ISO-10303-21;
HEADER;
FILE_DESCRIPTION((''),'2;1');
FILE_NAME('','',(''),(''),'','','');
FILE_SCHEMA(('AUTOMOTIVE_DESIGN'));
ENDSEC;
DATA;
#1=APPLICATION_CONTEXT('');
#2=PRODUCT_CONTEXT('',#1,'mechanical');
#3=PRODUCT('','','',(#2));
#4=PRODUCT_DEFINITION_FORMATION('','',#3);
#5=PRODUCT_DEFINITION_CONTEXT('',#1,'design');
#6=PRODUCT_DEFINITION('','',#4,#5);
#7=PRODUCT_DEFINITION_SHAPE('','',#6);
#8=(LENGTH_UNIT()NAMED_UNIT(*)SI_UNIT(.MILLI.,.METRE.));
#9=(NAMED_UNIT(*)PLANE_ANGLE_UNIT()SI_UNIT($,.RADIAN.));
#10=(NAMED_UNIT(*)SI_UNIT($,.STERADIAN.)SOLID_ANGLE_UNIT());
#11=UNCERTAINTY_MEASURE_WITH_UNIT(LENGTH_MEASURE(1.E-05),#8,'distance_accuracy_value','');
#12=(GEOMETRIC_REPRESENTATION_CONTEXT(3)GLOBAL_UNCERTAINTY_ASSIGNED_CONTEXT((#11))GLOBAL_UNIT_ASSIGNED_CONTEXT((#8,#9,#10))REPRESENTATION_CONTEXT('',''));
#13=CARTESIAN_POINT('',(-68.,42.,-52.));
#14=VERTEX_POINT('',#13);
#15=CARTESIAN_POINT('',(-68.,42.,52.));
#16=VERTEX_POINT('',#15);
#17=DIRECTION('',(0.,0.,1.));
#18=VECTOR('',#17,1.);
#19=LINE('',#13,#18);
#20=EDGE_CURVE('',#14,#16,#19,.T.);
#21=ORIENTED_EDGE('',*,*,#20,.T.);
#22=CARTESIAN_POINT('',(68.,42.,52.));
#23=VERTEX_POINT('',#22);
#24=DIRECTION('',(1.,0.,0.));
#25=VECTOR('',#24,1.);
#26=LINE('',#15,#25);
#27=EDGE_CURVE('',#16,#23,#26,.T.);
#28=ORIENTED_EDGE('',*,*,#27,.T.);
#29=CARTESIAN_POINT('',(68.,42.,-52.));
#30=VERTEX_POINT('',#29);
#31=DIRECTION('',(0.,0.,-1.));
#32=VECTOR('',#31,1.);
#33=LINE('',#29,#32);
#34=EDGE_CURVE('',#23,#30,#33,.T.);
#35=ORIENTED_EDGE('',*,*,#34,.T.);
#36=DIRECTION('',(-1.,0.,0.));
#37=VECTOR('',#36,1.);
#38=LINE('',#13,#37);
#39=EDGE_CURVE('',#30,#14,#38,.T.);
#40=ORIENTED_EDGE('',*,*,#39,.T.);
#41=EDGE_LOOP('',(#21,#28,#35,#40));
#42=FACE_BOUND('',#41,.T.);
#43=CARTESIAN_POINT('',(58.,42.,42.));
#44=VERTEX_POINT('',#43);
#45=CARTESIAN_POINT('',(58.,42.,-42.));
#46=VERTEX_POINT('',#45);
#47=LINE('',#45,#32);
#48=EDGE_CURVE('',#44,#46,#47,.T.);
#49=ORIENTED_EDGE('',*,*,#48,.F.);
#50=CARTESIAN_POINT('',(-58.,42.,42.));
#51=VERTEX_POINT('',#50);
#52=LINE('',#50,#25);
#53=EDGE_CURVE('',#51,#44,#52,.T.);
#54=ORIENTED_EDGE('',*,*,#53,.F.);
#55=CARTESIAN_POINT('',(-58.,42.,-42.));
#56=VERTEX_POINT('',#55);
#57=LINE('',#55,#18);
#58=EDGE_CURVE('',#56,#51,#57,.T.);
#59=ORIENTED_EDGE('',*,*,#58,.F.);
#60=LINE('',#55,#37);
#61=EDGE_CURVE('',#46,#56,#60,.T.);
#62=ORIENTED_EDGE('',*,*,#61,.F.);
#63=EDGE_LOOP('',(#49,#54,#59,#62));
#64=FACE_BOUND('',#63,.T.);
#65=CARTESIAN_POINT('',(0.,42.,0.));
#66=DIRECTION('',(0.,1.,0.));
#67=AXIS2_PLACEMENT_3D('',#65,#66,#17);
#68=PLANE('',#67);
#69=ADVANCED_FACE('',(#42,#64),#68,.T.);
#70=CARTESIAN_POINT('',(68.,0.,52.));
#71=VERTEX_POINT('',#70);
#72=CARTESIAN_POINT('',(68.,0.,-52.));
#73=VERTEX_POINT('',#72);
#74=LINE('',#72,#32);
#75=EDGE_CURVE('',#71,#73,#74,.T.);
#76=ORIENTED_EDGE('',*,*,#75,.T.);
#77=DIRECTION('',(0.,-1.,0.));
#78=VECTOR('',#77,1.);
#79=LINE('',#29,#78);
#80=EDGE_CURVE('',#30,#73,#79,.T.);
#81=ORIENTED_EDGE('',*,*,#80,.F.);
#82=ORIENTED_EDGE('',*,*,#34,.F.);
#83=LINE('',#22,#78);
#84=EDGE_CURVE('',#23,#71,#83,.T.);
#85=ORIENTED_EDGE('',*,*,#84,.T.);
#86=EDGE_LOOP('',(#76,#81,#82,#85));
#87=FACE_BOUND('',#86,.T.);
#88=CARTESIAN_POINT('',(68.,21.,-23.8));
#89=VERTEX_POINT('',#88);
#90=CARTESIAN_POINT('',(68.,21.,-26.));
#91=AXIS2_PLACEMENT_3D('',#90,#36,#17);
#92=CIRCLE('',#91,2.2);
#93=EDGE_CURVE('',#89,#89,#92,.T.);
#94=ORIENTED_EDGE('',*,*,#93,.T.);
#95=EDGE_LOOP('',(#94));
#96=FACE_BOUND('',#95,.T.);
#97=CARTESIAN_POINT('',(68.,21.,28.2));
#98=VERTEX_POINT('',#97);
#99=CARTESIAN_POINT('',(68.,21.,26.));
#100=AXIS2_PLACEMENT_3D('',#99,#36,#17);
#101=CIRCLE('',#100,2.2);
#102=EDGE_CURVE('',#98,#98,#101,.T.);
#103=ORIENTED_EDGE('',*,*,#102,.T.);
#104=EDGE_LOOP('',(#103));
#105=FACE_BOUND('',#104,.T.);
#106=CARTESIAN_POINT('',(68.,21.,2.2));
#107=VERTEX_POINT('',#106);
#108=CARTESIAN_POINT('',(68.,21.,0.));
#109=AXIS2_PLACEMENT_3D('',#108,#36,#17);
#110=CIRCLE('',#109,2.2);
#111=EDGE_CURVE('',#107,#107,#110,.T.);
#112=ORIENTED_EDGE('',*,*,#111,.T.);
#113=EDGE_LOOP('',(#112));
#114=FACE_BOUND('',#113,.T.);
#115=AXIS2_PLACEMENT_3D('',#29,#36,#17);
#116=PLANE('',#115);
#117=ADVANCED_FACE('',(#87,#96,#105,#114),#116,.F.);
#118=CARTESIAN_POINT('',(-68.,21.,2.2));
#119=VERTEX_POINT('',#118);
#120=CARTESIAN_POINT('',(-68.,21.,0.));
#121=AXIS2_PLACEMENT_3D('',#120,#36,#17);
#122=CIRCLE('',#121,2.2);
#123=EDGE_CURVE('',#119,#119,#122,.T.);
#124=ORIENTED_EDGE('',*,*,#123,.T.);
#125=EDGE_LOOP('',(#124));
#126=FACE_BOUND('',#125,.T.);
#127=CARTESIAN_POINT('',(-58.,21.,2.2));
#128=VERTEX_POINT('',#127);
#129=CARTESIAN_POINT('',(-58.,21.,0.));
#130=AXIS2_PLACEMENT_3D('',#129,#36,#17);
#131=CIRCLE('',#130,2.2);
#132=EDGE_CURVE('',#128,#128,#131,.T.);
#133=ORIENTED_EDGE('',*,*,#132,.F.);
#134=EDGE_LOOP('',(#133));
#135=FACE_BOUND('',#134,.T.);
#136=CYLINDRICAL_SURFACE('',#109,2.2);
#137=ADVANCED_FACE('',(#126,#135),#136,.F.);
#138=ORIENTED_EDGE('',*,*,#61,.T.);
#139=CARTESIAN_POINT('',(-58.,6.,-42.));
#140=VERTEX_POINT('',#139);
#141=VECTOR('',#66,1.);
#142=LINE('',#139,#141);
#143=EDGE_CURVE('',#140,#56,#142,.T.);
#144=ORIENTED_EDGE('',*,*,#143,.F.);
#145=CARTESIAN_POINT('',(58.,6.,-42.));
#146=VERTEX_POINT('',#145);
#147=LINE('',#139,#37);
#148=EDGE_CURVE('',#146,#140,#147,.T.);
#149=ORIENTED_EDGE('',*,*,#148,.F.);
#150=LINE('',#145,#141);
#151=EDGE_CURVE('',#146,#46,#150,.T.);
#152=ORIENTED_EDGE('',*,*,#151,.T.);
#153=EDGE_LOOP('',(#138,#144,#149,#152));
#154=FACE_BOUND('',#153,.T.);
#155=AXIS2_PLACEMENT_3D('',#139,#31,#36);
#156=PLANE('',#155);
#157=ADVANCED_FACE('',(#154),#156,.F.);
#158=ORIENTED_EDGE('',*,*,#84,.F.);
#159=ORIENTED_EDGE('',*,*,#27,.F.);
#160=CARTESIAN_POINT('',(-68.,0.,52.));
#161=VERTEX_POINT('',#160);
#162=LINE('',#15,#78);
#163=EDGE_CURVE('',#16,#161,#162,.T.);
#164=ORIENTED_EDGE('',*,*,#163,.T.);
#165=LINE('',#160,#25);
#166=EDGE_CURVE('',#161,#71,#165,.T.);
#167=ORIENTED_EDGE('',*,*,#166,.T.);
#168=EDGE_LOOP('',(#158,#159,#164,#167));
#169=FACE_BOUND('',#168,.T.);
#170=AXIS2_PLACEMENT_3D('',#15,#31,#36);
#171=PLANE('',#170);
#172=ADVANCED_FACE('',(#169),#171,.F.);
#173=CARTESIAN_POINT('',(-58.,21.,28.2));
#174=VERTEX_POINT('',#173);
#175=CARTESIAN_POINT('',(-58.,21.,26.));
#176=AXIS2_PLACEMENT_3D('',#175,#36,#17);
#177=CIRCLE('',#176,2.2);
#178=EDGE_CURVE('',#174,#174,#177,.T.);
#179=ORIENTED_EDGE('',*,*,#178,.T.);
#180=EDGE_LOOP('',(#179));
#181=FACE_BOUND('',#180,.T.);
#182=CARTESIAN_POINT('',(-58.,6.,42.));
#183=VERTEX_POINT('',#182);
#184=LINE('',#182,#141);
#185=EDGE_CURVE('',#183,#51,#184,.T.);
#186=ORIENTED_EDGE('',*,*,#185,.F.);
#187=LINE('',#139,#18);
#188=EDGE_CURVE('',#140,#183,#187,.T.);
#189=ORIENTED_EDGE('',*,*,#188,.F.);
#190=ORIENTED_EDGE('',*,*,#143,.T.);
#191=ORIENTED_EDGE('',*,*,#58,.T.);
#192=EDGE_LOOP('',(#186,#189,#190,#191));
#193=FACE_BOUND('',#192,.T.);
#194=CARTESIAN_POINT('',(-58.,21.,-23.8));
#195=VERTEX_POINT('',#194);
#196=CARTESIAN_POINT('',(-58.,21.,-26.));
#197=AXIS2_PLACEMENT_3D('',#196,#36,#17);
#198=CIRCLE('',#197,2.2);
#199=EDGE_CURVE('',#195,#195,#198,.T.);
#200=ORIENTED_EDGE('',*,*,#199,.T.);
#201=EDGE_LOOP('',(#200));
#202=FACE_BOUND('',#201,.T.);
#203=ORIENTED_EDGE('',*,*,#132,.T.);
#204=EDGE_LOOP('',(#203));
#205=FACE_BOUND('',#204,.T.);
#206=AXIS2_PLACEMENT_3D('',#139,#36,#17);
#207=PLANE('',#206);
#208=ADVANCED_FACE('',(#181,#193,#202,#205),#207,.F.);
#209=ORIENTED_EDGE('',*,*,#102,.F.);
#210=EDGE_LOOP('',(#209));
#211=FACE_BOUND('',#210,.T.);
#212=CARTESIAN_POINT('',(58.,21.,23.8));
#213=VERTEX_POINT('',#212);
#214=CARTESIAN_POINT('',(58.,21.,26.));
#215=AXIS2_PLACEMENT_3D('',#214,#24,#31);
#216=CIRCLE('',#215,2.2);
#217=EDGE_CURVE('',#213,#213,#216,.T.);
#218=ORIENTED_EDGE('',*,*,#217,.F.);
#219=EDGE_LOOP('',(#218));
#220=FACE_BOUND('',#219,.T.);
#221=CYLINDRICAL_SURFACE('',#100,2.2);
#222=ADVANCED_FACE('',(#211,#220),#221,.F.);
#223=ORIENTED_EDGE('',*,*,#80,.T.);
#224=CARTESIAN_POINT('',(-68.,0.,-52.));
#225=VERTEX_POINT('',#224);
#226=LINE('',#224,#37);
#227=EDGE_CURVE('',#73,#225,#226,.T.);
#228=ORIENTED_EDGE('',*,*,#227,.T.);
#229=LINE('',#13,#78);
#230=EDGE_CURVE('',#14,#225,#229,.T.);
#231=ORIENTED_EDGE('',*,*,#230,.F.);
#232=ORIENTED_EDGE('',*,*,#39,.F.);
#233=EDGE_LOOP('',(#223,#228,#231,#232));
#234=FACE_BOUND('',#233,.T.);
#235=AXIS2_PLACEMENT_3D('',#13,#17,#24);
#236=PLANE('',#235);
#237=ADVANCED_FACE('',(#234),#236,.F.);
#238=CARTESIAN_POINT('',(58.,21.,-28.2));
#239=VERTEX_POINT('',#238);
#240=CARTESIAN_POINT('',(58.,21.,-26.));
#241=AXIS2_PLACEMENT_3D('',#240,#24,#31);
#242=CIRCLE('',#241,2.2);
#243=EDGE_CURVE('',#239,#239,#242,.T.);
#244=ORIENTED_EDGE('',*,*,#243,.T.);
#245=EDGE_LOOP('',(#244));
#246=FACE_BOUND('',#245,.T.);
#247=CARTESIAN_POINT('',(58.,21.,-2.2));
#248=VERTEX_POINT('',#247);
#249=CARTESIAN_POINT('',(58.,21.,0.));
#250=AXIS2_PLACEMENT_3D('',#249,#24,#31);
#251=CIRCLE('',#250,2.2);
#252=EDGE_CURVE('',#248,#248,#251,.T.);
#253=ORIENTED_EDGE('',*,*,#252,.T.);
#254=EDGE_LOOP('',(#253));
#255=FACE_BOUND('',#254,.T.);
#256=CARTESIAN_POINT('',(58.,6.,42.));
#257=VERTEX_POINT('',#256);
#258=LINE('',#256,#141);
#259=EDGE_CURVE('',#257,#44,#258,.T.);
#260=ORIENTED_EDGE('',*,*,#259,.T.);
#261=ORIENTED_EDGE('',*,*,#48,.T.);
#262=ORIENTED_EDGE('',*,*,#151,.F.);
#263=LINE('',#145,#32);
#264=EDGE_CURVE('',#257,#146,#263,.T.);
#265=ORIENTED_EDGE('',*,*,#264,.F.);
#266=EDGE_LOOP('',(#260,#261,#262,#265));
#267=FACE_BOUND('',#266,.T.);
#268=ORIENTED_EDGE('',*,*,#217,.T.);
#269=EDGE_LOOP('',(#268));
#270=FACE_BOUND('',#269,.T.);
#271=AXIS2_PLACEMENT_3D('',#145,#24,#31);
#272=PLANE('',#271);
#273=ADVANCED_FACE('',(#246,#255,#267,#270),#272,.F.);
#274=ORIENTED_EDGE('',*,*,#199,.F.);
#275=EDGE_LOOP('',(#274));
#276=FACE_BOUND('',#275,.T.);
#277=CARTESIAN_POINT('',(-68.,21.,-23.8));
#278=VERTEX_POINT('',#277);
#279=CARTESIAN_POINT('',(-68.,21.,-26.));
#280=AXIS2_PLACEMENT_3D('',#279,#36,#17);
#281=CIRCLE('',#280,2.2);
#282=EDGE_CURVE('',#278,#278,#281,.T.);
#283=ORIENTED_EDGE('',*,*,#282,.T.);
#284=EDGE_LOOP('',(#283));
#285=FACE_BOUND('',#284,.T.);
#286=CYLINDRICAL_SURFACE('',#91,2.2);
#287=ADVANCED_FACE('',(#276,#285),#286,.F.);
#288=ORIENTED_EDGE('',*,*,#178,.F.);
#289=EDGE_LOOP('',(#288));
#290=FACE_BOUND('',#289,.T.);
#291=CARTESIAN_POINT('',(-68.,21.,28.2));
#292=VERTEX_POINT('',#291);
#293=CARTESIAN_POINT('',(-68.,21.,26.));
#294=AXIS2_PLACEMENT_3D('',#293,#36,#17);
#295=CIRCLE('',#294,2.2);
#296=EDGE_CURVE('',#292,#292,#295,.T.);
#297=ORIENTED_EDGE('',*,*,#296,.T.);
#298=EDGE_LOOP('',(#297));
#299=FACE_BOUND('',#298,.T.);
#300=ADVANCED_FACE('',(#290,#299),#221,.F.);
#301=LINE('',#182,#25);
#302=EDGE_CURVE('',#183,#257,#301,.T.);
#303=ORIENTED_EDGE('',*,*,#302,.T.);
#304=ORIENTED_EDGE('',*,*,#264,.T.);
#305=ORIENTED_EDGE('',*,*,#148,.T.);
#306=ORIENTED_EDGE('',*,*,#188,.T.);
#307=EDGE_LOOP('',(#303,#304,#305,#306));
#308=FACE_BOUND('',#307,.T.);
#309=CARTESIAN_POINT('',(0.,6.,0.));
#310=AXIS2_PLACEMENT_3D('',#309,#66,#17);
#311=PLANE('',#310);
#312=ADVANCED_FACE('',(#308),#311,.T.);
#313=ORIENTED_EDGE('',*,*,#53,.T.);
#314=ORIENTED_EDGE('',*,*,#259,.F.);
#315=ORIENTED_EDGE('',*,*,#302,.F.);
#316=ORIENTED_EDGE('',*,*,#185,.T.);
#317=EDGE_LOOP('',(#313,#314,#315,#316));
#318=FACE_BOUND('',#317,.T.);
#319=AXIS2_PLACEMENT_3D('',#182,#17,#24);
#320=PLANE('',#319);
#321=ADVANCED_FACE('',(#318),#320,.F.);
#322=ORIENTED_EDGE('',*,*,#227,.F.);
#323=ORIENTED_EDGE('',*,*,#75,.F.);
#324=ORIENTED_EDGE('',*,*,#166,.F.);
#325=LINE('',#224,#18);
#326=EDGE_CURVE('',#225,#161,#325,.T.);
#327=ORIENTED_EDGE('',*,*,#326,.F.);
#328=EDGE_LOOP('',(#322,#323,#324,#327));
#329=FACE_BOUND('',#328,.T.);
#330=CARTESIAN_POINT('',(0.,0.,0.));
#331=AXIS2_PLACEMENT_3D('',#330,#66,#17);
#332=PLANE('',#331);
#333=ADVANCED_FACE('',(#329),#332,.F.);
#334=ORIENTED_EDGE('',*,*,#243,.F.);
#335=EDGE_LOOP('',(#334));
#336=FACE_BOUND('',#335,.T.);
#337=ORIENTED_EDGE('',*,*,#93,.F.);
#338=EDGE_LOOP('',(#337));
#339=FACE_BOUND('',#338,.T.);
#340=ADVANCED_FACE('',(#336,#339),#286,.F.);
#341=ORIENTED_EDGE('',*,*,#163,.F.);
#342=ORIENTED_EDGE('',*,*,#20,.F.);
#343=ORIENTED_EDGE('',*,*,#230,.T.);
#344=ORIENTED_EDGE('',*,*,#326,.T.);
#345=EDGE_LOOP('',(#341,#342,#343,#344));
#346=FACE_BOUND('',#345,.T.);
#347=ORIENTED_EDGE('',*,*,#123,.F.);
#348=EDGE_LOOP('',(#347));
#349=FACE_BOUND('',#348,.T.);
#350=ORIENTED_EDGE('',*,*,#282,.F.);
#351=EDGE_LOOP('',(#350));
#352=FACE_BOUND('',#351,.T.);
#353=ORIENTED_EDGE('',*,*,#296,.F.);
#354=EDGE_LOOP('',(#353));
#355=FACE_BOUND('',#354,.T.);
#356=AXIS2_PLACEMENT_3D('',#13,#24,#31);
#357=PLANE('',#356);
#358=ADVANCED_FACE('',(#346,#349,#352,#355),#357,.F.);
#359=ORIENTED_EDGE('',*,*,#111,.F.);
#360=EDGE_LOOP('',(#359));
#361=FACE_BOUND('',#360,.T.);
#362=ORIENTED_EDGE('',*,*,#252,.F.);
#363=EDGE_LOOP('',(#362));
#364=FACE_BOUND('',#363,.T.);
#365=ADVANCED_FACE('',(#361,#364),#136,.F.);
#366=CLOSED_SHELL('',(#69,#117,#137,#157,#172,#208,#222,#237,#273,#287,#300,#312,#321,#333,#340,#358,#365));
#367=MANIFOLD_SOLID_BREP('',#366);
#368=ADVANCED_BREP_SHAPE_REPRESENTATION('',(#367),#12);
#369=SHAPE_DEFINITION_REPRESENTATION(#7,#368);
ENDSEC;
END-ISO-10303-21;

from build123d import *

# Parameters (mm, degrees)
SKETCH_1_W          = 136
SKETCH_1_H          = 104
EXTRUDE_1_DEPTH     = 42
SKETCH_2_W          = 116
SKETCH_2_H          = 84
CUT_EXTRUDE_1_DEPTH = 36
SKETCH_6_R          = 2.2
CUT_EXTRUDE_5_DEPTH = 136


with BuildPart() as part:
    # 草图1 → 凸台-拉伸1 (new body)
    with BuildSketch(Plane(origin=(0, 0, 0), x_dir=(1, 0, 0), z_dir=(0, 1, 0))):
        Rectangle(SKETCH_1_W, SKETCH_1_H)
    extrude(amount=EXTRUDE_1_DEPTH)

    # 草图2 → 切除-拉伸1 (cut)
    with BuildSketch(Plane(origin=(0, 42, 0), x_dir=(1, 0, 0), z_dir=(0, 1, 0))):
        Rectangle(SKETCH_2_W, SKETCH_2_H)
    extrude(amount=-CUT_EXTRUDE_1_DEPTH, mode=Mode.SUBTRACT)

    # 草图6 → 切除-拉伸5 (cut)
    with BuildSketch(Plane.ZY.offset(68)):
        with Locations((-26, 21)):
            Circle(SKETCH_6_R)
        with Locations((26, 21)):
            Circle(SKETCH_6_R)
        with Locations((0, 21)):
            Circle(SKETCH_6_R)
    extrude(amount=-CUT_EXTRUDE_5_DEPTH, mode=Mode.SUBTRACT)


solid = part.part
